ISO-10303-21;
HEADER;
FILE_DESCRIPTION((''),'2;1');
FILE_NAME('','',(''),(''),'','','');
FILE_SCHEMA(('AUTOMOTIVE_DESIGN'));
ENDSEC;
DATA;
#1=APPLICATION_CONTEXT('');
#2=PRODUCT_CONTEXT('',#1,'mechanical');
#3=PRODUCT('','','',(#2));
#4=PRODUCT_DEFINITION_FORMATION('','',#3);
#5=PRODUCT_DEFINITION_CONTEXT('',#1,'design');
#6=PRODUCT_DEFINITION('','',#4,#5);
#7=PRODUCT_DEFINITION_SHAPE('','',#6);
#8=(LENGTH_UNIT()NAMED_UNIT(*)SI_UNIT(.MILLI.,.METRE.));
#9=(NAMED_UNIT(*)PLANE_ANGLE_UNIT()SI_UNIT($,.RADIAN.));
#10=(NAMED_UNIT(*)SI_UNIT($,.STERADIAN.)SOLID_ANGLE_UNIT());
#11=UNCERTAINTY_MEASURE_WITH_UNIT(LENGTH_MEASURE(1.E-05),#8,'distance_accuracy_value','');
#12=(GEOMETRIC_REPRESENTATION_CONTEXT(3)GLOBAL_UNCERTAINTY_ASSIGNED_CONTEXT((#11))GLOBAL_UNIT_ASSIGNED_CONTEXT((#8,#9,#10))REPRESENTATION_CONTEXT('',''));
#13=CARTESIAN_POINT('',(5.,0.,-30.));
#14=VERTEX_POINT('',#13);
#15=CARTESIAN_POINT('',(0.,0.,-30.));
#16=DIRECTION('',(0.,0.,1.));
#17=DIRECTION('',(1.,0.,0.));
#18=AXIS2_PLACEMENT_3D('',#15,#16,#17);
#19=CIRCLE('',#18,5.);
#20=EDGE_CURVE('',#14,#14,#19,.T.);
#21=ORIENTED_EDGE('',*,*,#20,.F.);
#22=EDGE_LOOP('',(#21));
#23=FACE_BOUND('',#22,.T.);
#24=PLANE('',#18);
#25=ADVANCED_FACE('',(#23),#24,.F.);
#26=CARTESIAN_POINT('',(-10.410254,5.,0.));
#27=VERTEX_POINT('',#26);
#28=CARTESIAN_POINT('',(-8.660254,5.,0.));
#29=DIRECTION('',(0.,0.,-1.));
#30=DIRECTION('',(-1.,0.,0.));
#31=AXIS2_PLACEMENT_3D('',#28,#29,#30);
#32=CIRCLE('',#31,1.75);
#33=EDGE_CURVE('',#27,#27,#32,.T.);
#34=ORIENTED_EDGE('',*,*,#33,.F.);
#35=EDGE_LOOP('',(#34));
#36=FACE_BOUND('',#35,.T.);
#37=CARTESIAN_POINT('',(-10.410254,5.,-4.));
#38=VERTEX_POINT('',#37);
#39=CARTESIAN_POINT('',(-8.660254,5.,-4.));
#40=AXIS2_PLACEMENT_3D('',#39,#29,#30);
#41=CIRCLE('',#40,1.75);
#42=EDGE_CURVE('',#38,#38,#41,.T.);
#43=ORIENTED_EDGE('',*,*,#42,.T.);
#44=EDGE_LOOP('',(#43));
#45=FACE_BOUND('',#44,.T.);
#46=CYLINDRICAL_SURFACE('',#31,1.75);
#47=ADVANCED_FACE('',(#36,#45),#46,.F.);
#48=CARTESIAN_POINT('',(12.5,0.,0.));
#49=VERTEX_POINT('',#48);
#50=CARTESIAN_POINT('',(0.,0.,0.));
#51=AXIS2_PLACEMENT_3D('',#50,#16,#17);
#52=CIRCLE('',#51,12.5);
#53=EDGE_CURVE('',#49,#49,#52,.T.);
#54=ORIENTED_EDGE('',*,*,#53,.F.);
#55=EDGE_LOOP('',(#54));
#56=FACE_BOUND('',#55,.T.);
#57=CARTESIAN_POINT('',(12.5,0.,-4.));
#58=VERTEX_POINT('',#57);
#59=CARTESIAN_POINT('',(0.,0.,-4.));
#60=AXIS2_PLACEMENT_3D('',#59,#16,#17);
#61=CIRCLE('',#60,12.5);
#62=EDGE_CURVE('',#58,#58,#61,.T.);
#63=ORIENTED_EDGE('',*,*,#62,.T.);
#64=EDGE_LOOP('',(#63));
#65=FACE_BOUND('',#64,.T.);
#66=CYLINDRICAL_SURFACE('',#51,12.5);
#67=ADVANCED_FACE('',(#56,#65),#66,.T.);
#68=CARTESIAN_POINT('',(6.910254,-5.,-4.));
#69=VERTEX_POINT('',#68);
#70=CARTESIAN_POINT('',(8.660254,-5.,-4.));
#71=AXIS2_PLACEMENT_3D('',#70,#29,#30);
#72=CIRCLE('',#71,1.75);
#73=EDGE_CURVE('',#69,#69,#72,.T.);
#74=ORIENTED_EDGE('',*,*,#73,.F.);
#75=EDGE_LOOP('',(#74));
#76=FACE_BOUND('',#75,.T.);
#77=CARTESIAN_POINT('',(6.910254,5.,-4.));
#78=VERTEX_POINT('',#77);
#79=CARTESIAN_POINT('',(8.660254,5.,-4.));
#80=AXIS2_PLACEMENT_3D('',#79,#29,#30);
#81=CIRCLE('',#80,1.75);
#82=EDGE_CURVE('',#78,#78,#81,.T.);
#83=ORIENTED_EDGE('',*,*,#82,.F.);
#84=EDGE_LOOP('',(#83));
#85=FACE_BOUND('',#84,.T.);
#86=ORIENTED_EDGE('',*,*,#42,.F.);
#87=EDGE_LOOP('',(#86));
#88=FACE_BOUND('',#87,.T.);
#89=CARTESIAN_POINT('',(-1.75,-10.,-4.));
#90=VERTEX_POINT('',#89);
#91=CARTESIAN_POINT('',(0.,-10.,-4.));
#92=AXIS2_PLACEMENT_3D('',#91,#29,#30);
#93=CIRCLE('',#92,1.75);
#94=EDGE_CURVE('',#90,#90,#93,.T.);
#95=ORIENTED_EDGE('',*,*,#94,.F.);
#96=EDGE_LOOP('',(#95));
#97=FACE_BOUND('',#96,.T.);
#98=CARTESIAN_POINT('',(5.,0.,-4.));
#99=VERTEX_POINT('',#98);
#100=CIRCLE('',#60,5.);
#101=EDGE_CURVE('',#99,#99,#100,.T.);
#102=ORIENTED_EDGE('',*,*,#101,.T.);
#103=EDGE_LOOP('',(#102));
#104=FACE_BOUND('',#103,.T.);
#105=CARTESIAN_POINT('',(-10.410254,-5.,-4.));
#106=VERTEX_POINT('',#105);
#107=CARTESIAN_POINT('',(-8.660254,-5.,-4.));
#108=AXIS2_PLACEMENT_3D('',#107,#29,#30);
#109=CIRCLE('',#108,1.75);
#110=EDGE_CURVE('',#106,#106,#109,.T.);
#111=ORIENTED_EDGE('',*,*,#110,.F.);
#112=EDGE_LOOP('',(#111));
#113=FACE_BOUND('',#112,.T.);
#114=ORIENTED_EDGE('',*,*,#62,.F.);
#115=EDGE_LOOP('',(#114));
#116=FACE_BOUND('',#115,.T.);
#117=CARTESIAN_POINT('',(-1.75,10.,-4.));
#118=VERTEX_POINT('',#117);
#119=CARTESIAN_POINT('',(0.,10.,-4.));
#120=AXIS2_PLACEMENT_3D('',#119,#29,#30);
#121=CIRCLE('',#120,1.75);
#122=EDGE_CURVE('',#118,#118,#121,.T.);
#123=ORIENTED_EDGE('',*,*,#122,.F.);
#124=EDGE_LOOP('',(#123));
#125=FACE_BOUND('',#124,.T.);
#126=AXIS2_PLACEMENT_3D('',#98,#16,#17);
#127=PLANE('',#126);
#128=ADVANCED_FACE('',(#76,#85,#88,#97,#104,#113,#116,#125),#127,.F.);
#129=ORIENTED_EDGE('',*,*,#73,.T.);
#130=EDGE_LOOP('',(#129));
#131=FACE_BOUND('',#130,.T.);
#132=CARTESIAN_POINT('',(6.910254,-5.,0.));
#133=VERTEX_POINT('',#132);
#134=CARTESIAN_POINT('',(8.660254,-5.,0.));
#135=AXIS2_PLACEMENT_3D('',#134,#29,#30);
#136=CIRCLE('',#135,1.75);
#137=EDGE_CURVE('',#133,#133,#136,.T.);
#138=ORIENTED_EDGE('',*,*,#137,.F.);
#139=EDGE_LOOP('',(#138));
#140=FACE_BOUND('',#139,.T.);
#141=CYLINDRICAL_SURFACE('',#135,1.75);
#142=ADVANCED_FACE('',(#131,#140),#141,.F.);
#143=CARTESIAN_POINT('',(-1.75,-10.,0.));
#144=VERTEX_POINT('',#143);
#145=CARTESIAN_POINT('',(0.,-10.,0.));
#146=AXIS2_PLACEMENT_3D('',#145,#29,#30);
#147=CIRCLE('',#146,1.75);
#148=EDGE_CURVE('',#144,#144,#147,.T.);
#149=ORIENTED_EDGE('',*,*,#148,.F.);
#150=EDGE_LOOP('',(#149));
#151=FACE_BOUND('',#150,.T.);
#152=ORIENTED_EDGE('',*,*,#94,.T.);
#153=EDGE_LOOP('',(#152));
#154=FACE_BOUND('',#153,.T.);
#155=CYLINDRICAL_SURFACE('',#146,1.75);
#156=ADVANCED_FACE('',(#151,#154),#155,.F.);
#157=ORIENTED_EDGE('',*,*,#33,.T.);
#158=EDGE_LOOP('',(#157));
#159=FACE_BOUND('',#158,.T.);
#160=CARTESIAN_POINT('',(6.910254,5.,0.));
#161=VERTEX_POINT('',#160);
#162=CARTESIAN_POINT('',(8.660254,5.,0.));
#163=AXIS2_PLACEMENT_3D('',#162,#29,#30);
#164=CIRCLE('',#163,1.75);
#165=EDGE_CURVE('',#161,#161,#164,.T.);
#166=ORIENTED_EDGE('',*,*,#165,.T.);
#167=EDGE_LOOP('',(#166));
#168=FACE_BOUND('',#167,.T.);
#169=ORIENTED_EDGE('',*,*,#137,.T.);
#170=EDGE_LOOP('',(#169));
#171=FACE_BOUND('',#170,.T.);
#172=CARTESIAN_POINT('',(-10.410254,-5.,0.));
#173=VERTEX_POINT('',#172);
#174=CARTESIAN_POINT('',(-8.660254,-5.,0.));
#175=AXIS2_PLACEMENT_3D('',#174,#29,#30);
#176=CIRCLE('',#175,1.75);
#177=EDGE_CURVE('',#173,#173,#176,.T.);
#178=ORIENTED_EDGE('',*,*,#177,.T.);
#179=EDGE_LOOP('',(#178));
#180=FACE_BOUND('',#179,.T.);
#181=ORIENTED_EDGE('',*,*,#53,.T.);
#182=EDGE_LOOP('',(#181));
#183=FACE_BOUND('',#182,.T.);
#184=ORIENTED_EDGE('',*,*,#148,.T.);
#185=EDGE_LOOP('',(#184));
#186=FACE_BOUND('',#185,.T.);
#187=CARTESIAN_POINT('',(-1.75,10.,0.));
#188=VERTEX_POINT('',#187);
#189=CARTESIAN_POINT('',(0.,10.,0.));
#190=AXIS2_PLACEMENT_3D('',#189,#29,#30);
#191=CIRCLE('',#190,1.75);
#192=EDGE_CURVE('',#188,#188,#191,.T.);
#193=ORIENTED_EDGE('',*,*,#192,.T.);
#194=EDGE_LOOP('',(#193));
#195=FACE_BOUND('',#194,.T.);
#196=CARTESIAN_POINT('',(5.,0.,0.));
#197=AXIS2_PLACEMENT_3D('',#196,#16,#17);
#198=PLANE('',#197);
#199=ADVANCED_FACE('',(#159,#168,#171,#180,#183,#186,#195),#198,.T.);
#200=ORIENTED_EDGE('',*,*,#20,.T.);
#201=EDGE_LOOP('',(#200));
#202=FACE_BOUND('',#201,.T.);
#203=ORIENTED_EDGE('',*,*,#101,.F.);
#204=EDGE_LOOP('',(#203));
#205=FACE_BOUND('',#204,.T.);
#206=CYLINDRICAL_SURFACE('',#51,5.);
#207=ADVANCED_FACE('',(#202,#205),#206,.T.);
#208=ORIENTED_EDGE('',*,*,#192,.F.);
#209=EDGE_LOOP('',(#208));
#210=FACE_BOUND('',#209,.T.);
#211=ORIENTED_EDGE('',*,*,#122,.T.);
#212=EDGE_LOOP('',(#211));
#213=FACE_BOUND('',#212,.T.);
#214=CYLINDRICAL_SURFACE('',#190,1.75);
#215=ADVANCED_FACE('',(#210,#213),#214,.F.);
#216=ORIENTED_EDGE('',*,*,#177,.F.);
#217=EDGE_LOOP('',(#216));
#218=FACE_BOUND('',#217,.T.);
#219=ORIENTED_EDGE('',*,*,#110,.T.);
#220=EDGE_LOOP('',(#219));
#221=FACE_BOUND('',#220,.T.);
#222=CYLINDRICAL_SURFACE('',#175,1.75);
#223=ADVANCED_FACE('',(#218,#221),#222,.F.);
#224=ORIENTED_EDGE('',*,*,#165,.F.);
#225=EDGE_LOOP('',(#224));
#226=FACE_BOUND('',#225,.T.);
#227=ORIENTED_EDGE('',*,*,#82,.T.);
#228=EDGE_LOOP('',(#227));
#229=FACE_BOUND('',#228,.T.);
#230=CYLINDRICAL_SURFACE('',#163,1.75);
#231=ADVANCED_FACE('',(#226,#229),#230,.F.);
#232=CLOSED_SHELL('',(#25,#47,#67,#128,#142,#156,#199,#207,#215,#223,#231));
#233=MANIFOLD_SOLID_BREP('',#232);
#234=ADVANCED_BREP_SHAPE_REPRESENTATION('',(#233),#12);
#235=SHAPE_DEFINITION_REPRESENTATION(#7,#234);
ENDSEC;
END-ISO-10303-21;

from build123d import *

# Parameters (mm, degrees)
SKETCH_1_W          = 7.5
SKETCH_1_H          = 4
SKETCH_2_R          = 1.75
CUT_EXTRUDE_1_DEPTH = 5


with BuildPart() as part:
    # 草圖1 → 旋轉1 (revolve)
    with BuildSketch(Plane(origin=(0, 0, 0), x_dir=(1, 0, 0), z_dir=(0, 1, 0))):
        Polygon((0, 30), (0, 0), (5, 0), (5, 4), (5, 30), align=None)
        with Locations((8.75, 2)):
            Rectangle(SKETCH_1_W, SKETCH_1_H)
    revolve(axis=Axis((0, 0, 0), (0, 0, -1)))

    # 草圖2 → 除料-伸長1 (cut, through all)
    with BuildSketch(Plane(origin=(0, 0, -4), x_dir=(-1, 0, 0), z_dir=(0, 0, -1))):
        with Locations((0, 10)):
            Circle(SKETCH_2_R)
        with Locations((8.660254038, 5)):
            Circle(SKETCH_2_R)
        with Locations((8.660254038, -5)):
            Circle(SKETCH_2_R)
        with Locations((0, -10)):
            Circle(SKETCH_2_R)
        with Locations((-8.660254038, -5)):
            Circle(SKETCH_2_R)
        with Locations((-8.660254038, 5)):
            Circle(SKETCH_2_R)
    extrude(amount=-CUT_EXTRUDE_1_DEPTH, mode=Mode.SUBTRACT)


solid = part.part
